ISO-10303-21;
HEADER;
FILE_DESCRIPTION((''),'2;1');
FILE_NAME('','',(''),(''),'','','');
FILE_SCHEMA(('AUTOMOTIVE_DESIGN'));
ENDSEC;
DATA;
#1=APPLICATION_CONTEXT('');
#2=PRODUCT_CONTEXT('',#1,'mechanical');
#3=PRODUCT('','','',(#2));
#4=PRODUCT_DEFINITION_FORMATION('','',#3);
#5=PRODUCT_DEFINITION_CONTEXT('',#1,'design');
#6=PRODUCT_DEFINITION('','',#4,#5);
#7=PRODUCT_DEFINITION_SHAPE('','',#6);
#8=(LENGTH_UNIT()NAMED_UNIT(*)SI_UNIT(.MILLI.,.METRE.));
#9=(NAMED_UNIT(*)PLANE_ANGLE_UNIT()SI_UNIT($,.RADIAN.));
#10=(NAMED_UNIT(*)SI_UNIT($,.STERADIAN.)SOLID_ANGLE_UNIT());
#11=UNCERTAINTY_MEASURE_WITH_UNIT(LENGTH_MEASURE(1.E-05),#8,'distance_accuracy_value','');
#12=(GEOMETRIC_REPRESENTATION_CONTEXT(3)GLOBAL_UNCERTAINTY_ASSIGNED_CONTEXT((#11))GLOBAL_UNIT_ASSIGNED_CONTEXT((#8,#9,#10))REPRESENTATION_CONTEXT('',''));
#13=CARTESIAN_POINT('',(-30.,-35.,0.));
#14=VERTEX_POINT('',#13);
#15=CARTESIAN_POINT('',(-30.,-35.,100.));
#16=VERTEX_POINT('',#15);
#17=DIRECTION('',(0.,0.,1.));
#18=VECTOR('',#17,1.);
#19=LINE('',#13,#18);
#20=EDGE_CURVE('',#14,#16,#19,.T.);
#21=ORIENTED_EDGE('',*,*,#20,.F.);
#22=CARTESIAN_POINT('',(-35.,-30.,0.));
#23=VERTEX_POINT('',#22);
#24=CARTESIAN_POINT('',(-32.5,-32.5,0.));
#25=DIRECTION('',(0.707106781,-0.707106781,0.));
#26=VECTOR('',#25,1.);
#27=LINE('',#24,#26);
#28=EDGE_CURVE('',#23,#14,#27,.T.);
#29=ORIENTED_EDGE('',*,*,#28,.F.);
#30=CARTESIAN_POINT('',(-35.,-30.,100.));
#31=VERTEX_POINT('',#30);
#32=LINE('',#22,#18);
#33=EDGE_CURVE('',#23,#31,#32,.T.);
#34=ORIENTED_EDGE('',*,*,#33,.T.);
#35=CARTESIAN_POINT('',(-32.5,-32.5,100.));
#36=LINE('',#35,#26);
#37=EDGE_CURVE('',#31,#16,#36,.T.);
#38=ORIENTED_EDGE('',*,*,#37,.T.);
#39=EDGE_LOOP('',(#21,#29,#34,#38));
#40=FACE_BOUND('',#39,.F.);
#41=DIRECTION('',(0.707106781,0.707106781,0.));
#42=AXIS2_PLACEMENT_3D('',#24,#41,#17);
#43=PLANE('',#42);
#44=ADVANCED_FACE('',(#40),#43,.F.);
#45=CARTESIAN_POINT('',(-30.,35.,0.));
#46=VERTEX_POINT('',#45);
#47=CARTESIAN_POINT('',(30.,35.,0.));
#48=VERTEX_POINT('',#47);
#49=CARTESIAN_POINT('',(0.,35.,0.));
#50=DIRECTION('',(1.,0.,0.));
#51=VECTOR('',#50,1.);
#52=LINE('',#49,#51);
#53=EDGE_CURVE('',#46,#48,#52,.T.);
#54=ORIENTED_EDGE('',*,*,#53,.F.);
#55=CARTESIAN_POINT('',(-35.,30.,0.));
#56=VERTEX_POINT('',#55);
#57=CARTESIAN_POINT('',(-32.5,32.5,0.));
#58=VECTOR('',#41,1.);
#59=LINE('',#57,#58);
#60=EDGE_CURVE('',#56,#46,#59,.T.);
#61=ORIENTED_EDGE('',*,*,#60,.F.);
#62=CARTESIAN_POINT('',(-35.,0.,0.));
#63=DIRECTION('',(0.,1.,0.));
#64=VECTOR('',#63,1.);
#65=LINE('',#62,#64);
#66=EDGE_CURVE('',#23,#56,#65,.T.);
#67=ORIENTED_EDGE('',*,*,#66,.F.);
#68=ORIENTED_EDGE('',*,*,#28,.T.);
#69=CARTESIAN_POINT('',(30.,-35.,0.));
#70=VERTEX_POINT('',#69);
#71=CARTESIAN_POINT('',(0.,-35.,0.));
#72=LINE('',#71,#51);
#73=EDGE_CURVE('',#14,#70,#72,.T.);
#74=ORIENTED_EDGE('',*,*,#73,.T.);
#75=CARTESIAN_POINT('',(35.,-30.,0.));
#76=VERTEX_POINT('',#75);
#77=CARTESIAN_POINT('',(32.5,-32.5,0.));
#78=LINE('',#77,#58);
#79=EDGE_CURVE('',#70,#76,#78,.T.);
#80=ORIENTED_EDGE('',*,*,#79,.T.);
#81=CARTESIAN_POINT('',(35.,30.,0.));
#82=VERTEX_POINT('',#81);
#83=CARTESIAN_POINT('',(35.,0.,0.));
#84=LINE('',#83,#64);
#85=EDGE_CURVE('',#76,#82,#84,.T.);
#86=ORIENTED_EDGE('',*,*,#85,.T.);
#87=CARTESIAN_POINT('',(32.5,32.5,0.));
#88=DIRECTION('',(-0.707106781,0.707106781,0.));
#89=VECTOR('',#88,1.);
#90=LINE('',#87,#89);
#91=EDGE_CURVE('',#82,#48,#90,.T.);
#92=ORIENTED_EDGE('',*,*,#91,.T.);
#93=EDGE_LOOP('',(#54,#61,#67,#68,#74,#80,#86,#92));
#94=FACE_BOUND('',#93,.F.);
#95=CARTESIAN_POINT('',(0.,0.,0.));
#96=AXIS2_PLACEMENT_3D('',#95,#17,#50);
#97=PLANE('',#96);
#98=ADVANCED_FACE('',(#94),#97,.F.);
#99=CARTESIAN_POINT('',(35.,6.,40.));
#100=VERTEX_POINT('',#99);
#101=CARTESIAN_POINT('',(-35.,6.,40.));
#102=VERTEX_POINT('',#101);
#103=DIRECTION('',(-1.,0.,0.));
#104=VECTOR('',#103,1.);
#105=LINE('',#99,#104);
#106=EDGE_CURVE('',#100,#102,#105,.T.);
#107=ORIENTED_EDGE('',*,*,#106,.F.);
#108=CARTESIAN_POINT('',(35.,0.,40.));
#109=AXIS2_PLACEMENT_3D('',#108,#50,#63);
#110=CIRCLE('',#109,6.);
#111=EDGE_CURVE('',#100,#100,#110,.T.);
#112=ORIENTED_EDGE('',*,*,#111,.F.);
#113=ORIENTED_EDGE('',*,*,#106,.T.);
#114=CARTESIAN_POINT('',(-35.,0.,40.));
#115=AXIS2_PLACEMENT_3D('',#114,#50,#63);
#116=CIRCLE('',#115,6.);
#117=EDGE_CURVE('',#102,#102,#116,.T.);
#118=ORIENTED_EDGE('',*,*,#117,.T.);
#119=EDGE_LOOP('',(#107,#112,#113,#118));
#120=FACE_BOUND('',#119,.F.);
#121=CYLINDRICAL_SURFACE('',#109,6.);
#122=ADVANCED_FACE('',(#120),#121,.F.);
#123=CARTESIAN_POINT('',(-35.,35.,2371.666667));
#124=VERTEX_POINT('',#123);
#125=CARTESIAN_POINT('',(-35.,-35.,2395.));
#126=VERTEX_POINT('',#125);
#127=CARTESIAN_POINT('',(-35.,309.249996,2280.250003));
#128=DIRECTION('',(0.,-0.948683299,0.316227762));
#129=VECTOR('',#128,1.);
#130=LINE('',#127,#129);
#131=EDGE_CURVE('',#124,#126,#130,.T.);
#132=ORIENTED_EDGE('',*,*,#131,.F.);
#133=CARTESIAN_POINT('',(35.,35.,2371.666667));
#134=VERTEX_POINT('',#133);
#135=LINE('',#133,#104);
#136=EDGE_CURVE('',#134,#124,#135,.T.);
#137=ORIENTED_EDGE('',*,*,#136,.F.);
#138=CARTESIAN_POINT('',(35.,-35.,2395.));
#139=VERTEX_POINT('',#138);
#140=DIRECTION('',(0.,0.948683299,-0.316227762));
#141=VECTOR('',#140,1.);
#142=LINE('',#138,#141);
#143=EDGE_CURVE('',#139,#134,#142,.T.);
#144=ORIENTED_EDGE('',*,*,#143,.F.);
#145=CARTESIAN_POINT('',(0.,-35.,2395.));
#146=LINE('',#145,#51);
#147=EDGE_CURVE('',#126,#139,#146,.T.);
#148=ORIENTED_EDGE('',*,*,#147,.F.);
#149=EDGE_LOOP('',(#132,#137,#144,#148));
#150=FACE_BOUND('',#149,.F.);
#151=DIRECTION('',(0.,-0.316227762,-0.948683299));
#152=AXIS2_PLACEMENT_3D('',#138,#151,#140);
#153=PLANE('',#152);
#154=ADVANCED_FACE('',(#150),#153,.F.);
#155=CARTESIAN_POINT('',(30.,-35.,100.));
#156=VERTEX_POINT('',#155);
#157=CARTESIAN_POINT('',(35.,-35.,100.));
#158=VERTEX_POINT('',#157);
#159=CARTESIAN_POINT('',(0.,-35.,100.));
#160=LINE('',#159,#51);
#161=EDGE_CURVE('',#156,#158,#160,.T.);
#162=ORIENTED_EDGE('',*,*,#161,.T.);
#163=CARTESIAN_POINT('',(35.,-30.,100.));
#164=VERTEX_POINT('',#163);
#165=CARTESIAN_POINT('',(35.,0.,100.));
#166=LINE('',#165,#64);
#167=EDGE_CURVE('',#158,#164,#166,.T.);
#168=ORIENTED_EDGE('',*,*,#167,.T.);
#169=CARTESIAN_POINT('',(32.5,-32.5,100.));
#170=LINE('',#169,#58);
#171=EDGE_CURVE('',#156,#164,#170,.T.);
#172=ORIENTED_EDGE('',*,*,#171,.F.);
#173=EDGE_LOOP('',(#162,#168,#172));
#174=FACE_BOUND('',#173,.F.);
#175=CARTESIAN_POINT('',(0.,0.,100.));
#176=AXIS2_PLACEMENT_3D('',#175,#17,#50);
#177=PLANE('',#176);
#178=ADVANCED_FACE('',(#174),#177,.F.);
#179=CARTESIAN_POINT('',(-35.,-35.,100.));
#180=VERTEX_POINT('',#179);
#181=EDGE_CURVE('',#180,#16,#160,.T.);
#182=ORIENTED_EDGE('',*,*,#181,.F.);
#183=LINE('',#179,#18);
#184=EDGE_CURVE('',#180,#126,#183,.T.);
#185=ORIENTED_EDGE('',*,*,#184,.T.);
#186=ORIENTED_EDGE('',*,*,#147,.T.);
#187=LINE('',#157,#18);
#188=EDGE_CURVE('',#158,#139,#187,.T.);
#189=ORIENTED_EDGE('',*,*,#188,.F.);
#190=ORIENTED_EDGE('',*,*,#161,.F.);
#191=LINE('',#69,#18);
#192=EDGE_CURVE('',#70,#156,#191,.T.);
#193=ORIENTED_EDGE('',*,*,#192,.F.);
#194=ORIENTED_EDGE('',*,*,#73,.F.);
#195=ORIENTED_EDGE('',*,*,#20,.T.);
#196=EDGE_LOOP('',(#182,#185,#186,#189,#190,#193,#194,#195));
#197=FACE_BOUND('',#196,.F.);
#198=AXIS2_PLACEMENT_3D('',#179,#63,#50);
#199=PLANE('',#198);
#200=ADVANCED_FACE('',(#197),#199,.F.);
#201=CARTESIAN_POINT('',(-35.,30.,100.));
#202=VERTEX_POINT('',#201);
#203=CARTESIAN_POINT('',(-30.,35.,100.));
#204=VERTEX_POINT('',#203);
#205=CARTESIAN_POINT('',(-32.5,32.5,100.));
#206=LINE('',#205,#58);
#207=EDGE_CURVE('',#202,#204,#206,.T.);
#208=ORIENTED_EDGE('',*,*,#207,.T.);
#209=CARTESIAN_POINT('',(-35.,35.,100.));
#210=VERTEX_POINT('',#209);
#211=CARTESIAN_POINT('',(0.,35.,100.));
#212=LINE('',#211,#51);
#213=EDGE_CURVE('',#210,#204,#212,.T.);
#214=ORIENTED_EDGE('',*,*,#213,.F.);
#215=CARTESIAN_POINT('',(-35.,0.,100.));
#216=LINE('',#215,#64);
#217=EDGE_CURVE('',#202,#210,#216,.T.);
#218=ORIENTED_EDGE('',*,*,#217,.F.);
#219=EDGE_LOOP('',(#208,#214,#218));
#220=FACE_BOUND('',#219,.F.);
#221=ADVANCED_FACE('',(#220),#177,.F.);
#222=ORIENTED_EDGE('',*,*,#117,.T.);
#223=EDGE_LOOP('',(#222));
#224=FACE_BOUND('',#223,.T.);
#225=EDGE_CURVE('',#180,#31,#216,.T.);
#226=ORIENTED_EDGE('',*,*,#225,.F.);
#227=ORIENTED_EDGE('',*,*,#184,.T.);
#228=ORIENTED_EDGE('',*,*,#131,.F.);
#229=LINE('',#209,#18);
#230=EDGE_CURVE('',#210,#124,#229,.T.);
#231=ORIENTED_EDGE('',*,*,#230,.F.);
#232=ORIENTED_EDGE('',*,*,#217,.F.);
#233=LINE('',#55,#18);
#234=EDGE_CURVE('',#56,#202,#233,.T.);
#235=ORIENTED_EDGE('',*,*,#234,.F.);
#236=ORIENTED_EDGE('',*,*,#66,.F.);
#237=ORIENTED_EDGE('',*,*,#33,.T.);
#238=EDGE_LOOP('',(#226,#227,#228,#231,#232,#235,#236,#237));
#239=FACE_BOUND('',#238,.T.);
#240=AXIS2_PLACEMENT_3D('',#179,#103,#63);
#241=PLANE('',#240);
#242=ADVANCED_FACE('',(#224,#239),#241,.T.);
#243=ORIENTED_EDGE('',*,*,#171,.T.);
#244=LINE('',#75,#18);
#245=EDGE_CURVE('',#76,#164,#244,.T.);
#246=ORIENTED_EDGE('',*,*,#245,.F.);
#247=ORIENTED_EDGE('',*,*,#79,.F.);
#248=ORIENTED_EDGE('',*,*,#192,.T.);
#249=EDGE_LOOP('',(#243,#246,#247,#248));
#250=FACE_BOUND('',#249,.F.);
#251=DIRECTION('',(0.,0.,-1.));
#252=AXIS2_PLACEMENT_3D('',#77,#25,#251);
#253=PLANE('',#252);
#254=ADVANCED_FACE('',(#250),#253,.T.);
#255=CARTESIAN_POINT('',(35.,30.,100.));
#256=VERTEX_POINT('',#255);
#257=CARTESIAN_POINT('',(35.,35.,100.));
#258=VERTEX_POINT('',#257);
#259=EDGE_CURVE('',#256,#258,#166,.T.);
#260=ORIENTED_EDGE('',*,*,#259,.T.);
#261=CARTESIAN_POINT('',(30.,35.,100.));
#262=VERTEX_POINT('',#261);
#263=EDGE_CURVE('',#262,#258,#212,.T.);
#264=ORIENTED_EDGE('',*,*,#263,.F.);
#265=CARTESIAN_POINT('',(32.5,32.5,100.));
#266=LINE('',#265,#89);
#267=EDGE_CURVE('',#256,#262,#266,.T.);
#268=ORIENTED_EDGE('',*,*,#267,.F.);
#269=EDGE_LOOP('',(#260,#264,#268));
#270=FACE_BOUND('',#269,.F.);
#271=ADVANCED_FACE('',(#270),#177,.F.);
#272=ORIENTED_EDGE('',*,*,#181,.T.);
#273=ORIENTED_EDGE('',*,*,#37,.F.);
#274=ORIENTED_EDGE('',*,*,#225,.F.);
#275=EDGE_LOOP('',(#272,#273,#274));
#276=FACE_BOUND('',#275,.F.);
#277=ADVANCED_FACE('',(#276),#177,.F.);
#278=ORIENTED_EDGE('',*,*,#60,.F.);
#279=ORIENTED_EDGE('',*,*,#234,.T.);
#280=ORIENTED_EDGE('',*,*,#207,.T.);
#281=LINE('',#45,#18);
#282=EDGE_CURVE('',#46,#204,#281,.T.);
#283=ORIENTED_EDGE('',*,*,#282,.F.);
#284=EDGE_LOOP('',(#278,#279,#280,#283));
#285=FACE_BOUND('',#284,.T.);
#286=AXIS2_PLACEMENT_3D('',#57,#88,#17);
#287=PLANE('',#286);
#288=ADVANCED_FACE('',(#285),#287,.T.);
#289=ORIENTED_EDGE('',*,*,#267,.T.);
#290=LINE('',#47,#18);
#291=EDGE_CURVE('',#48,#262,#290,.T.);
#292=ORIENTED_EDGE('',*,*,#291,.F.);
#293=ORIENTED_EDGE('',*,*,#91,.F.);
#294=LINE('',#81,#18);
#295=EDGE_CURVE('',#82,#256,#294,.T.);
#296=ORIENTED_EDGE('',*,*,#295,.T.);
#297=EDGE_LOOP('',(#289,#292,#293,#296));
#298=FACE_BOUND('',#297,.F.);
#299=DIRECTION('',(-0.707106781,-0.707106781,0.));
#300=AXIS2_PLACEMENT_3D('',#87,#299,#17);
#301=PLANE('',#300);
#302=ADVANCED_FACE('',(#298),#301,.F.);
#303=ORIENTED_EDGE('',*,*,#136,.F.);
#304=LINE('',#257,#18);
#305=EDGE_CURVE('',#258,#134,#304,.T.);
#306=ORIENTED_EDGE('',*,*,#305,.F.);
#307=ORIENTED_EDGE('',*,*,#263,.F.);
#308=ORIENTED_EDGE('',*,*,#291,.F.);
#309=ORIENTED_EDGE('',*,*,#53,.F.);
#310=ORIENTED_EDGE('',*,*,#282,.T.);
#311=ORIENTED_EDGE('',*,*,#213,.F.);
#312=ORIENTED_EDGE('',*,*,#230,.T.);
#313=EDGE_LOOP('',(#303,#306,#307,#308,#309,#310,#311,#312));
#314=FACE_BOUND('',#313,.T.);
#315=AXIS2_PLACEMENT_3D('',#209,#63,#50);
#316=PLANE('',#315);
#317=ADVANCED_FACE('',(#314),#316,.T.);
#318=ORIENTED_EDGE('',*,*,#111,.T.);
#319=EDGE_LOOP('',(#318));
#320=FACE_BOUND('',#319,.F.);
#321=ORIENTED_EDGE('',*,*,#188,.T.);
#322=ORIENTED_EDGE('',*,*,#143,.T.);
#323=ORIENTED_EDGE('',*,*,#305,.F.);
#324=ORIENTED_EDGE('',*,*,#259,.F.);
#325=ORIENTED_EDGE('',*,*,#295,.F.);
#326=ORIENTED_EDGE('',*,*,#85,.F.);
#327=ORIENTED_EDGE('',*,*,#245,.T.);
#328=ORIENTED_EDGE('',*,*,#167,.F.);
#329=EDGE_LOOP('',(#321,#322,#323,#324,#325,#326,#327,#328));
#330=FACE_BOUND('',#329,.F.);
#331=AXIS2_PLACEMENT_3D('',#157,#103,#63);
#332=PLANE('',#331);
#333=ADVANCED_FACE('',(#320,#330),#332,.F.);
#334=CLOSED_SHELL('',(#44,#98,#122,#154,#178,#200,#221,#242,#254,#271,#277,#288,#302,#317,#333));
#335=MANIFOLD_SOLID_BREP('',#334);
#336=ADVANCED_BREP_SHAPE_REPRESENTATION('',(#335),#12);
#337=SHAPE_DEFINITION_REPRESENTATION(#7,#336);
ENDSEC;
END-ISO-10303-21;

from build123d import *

# Parameters (mm, degrees)
F0_W     = 70
F0_H     = 70
F1_DEPTH = 100
F2_SIZE  = 5
F3_W     = 70
F3_H     = 70
F4_DEPTH = 2295
F5_R     = 6
F6_DEPTH = 70.001


with BuildPart() as f1:
    # F0 (on Top) → F1 (new body)
    with BuildSketch(Plane.XY):
        Rectangle(F0_W, F0_H)
    extrude(amount=F1_DEPTH)

    # F2
    f2_edges = [f1.edges().sort_by_distance(p)[0] for p in [
        (-35, -35, 50),
        (35, -35, 50),
        (35, 35, 50),
        (-35, 35, 50),
    ]]
    chamfer(f2_edges, length=F2_SIZE)

    # F3 (on face) → F4 (join)
    with BuildSketch(Plane.XY.offset(100)):
        Rectangle(F3_W, F3_H)
    extrude(amount=F4_DEPTH)

    # F5 (on face) → F6 (cut, through all)
    with BuildSketch(Plane.YZ.offset(35)):
        with Locations((0, 40)):
            Circle(F5_R)
        Polygon((35, 2395), (-35, 2395), (35, 2371.666667), align=None)
    extrude(amount=-F6_DEPTH, mode=Mode.SUBTRACT)


solid = f1.part
